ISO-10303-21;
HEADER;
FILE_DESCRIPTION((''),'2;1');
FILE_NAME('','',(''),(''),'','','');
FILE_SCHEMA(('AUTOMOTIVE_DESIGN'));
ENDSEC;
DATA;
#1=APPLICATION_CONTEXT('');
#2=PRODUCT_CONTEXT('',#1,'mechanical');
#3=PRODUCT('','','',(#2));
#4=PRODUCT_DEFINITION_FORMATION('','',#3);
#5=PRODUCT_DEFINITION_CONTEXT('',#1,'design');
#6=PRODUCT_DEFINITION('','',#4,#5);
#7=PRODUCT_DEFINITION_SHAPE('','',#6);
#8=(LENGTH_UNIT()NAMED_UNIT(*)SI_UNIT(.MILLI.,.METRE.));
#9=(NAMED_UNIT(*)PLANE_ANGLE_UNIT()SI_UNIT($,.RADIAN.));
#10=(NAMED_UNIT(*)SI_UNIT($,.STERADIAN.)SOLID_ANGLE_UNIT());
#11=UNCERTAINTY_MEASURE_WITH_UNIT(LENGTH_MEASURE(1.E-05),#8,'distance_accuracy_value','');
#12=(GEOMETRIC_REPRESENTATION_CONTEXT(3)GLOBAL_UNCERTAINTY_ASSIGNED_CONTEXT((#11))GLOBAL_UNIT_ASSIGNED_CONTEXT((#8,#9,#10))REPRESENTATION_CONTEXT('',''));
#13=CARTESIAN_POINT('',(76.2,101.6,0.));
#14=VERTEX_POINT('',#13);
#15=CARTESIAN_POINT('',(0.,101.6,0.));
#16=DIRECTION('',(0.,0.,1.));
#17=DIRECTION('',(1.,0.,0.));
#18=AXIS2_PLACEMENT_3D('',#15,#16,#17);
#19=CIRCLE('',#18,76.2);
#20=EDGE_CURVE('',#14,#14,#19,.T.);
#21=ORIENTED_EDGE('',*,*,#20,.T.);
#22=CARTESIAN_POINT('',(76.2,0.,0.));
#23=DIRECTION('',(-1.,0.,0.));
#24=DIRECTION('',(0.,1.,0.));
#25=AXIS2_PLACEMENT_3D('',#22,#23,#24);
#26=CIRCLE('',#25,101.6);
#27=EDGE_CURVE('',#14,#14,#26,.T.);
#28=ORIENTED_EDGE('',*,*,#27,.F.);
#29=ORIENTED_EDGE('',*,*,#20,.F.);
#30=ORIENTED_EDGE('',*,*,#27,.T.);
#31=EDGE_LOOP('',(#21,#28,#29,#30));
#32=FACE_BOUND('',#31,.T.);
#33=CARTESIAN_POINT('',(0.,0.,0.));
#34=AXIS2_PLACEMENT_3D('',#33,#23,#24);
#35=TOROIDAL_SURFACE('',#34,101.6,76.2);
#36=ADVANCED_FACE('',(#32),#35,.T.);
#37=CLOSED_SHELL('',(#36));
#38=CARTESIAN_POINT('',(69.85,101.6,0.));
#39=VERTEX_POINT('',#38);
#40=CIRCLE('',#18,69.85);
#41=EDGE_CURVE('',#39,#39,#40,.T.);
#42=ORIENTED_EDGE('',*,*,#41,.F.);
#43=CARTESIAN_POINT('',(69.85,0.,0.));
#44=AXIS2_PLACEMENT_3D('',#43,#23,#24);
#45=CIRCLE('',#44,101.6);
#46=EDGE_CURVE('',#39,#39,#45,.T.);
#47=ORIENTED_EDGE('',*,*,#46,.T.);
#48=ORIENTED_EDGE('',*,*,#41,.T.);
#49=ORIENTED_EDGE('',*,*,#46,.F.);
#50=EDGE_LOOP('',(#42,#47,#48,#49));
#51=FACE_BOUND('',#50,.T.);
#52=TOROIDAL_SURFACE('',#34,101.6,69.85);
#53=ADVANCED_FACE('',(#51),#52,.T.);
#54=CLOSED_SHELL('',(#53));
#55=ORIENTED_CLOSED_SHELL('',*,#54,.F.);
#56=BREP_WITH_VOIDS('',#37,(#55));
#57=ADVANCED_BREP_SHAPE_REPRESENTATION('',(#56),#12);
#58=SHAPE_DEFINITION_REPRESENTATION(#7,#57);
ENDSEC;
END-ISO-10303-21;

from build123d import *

# Parameters (mm, degrees)
F0_R   = 76.2
F0_R_2 = 69.85


with BuildPart() as f2:
    # F0 (on Top) → F2 (revolve)
    with BuildSketch(Plane.XY):
        with Locations((0, 101.6)):
            Circle(F0_R)
        with Locations((0, 101.6)):
            Circle(F0_R_2, mode=Mode.SUBTRACT)
    revolve(axis=Axis((-39.142333, 0, 0), (-1, 0, 0)))


solid = f2.part
